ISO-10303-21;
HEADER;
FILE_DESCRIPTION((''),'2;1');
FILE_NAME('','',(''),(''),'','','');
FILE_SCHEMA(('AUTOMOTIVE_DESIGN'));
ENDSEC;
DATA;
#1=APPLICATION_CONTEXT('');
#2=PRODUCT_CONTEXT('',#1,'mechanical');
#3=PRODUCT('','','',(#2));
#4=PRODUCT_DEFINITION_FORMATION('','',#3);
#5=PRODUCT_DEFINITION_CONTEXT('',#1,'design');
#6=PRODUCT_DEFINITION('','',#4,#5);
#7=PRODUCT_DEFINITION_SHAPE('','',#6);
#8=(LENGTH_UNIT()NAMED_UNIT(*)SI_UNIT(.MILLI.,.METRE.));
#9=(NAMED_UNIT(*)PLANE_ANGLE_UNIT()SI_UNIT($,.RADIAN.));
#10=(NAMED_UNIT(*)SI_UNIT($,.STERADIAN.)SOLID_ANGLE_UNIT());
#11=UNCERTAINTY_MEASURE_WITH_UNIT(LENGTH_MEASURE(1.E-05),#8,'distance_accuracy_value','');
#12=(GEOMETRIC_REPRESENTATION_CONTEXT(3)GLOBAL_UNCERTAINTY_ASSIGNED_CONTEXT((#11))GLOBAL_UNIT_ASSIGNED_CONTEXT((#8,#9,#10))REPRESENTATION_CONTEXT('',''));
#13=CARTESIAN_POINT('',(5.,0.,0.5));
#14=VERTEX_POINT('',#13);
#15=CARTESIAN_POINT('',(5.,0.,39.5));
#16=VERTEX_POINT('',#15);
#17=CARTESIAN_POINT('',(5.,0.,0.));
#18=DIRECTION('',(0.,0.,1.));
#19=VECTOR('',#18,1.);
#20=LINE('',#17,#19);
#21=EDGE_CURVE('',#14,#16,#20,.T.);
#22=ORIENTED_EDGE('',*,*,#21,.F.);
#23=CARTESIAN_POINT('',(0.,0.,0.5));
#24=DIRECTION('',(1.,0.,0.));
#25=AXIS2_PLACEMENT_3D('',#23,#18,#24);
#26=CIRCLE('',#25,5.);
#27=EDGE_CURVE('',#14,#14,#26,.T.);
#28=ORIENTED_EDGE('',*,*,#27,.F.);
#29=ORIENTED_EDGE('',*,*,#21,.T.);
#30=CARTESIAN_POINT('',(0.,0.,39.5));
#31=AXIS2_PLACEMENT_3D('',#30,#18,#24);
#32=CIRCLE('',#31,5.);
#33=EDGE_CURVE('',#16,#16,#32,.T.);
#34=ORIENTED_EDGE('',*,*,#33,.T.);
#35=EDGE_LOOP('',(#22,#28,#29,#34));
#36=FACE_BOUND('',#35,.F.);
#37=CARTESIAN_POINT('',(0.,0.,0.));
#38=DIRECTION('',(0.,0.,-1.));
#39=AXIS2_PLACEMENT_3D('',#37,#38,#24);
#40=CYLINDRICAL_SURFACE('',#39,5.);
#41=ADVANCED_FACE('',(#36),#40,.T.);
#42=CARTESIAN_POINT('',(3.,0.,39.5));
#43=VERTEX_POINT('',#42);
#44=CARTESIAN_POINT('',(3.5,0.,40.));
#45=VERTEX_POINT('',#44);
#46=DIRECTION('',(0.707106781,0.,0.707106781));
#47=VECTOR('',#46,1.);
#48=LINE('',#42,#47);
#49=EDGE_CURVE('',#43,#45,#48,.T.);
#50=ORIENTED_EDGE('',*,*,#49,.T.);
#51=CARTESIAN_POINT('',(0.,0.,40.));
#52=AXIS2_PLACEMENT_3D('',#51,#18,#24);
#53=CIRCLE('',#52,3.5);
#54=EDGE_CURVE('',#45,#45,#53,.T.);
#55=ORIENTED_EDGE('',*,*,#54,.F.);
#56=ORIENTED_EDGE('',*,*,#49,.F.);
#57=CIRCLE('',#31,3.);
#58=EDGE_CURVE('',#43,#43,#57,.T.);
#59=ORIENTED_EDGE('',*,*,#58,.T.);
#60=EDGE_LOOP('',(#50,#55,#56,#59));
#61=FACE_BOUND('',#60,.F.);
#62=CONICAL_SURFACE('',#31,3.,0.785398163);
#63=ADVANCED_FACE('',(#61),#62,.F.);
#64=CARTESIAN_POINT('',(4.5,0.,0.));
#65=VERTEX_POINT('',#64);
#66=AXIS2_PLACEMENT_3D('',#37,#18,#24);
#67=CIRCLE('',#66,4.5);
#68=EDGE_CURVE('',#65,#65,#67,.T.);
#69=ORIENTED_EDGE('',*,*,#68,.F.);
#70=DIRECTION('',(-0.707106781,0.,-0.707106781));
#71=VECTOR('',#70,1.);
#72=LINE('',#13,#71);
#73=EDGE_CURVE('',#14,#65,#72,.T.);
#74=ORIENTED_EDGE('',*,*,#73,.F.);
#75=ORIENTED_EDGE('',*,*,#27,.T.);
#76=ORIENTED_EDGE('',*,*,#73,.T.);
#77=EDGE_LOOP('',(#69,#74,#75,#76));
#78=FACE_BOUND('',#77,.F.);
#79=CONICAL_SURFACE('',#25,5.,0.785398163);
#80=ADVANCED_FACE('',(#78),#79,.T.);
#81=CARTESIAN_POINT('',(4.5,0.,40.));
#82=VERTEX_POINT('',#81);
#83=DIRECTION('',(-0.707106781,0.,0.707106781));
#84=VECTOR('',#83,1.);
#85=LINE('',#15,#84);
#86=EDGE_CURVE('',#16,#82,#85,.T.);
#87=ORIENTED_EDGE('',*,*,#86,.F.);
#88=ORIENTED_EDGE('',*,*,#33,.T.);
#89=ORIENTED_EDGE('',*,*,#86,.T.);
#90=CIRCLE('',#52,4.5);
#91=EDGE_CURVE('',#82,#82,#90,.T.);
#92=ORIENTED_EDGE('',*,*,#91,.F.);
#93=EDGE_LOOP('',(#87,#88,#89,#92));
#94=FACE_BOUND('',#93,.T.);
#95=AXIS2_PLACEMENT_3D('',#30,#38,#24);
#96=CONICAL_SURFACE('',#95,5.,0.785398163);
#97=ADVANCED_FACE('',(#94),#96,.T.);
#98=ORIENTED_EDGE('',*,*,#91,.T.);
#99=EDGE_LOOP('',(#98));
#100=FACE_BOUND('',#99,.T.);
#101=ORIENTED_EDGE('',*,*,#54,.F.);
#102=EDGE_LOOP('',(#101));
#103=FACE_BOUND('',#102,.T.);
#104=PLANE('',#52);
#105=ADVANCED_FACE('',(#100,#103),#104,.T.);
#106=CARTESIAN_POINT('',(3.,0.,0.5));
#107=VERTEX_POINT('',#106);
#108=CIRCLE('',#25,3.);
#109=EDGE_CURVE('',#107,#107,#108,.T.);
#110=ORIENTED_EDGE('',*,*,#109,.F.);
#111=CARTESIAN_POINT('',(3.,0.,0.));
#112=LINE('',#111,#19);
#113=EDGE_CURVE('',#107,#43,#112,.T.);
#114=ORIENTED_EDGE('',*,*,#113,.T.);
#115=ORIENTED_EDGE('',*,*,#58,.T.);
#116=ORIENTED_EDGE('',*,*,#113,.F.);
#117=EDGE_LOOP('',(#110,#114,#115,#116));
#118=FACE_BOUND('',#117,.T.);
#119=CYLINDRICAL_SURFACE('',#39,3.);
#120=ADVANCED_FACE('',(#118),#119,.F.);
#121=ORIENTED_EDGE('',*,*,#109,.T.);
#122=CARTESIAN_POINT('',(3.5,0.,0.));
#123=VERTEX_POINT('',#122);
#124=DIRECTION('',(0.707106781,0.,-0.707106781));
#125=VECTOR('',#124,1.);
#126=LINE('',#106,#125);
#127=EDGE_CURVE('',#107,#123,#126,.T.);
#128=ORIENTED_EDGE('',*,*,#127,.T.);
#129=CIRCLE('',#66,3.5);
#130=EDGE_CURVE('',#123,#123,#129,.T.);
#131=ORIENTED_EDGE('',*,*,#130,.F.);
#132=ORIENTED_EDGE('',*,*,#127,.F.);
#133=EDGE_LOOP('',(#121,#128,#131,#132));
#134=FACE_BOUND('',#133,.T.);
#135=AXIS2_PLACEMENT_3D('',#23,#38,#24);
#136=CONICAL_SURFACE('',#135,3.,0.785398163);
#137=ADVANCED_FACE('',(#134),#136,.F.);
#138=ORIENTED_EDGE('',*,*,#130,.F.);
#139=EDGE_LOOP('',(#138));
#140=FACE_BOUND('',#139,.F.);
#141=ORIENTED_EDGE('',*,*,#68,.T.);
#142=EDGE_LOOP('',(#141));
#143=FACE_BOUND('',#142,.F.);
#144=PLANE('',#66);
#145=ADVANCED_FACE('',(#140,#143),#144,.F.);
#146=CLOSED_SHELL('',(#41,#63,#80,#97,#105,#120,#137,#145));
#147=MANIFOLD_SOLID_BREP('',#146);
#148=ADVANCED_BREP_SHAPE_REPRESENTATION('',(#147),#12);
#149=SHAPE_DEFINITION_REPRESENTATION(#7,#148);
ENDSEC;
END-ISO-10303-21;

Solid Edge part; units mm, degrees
sketch "Sketch1" plane through (0, 0, 0) normal (0, 0, 1) x (1, 0, 0)
  circle A0 centre (0, 0) radius 5
  circle A1 centre (0, 0) radius 3
  dimension "D1" = 10
  dimension "D2" = 6
extrude "Protrusion1" add sketch "Sketch1" along normal blind 40
chamfer "Chamfer_1" distance 0.5 angle 45 4 edges at (-5, 0, 40) (-3, 0, 40) (-5, 0, 0) (-3, 0, 0)
